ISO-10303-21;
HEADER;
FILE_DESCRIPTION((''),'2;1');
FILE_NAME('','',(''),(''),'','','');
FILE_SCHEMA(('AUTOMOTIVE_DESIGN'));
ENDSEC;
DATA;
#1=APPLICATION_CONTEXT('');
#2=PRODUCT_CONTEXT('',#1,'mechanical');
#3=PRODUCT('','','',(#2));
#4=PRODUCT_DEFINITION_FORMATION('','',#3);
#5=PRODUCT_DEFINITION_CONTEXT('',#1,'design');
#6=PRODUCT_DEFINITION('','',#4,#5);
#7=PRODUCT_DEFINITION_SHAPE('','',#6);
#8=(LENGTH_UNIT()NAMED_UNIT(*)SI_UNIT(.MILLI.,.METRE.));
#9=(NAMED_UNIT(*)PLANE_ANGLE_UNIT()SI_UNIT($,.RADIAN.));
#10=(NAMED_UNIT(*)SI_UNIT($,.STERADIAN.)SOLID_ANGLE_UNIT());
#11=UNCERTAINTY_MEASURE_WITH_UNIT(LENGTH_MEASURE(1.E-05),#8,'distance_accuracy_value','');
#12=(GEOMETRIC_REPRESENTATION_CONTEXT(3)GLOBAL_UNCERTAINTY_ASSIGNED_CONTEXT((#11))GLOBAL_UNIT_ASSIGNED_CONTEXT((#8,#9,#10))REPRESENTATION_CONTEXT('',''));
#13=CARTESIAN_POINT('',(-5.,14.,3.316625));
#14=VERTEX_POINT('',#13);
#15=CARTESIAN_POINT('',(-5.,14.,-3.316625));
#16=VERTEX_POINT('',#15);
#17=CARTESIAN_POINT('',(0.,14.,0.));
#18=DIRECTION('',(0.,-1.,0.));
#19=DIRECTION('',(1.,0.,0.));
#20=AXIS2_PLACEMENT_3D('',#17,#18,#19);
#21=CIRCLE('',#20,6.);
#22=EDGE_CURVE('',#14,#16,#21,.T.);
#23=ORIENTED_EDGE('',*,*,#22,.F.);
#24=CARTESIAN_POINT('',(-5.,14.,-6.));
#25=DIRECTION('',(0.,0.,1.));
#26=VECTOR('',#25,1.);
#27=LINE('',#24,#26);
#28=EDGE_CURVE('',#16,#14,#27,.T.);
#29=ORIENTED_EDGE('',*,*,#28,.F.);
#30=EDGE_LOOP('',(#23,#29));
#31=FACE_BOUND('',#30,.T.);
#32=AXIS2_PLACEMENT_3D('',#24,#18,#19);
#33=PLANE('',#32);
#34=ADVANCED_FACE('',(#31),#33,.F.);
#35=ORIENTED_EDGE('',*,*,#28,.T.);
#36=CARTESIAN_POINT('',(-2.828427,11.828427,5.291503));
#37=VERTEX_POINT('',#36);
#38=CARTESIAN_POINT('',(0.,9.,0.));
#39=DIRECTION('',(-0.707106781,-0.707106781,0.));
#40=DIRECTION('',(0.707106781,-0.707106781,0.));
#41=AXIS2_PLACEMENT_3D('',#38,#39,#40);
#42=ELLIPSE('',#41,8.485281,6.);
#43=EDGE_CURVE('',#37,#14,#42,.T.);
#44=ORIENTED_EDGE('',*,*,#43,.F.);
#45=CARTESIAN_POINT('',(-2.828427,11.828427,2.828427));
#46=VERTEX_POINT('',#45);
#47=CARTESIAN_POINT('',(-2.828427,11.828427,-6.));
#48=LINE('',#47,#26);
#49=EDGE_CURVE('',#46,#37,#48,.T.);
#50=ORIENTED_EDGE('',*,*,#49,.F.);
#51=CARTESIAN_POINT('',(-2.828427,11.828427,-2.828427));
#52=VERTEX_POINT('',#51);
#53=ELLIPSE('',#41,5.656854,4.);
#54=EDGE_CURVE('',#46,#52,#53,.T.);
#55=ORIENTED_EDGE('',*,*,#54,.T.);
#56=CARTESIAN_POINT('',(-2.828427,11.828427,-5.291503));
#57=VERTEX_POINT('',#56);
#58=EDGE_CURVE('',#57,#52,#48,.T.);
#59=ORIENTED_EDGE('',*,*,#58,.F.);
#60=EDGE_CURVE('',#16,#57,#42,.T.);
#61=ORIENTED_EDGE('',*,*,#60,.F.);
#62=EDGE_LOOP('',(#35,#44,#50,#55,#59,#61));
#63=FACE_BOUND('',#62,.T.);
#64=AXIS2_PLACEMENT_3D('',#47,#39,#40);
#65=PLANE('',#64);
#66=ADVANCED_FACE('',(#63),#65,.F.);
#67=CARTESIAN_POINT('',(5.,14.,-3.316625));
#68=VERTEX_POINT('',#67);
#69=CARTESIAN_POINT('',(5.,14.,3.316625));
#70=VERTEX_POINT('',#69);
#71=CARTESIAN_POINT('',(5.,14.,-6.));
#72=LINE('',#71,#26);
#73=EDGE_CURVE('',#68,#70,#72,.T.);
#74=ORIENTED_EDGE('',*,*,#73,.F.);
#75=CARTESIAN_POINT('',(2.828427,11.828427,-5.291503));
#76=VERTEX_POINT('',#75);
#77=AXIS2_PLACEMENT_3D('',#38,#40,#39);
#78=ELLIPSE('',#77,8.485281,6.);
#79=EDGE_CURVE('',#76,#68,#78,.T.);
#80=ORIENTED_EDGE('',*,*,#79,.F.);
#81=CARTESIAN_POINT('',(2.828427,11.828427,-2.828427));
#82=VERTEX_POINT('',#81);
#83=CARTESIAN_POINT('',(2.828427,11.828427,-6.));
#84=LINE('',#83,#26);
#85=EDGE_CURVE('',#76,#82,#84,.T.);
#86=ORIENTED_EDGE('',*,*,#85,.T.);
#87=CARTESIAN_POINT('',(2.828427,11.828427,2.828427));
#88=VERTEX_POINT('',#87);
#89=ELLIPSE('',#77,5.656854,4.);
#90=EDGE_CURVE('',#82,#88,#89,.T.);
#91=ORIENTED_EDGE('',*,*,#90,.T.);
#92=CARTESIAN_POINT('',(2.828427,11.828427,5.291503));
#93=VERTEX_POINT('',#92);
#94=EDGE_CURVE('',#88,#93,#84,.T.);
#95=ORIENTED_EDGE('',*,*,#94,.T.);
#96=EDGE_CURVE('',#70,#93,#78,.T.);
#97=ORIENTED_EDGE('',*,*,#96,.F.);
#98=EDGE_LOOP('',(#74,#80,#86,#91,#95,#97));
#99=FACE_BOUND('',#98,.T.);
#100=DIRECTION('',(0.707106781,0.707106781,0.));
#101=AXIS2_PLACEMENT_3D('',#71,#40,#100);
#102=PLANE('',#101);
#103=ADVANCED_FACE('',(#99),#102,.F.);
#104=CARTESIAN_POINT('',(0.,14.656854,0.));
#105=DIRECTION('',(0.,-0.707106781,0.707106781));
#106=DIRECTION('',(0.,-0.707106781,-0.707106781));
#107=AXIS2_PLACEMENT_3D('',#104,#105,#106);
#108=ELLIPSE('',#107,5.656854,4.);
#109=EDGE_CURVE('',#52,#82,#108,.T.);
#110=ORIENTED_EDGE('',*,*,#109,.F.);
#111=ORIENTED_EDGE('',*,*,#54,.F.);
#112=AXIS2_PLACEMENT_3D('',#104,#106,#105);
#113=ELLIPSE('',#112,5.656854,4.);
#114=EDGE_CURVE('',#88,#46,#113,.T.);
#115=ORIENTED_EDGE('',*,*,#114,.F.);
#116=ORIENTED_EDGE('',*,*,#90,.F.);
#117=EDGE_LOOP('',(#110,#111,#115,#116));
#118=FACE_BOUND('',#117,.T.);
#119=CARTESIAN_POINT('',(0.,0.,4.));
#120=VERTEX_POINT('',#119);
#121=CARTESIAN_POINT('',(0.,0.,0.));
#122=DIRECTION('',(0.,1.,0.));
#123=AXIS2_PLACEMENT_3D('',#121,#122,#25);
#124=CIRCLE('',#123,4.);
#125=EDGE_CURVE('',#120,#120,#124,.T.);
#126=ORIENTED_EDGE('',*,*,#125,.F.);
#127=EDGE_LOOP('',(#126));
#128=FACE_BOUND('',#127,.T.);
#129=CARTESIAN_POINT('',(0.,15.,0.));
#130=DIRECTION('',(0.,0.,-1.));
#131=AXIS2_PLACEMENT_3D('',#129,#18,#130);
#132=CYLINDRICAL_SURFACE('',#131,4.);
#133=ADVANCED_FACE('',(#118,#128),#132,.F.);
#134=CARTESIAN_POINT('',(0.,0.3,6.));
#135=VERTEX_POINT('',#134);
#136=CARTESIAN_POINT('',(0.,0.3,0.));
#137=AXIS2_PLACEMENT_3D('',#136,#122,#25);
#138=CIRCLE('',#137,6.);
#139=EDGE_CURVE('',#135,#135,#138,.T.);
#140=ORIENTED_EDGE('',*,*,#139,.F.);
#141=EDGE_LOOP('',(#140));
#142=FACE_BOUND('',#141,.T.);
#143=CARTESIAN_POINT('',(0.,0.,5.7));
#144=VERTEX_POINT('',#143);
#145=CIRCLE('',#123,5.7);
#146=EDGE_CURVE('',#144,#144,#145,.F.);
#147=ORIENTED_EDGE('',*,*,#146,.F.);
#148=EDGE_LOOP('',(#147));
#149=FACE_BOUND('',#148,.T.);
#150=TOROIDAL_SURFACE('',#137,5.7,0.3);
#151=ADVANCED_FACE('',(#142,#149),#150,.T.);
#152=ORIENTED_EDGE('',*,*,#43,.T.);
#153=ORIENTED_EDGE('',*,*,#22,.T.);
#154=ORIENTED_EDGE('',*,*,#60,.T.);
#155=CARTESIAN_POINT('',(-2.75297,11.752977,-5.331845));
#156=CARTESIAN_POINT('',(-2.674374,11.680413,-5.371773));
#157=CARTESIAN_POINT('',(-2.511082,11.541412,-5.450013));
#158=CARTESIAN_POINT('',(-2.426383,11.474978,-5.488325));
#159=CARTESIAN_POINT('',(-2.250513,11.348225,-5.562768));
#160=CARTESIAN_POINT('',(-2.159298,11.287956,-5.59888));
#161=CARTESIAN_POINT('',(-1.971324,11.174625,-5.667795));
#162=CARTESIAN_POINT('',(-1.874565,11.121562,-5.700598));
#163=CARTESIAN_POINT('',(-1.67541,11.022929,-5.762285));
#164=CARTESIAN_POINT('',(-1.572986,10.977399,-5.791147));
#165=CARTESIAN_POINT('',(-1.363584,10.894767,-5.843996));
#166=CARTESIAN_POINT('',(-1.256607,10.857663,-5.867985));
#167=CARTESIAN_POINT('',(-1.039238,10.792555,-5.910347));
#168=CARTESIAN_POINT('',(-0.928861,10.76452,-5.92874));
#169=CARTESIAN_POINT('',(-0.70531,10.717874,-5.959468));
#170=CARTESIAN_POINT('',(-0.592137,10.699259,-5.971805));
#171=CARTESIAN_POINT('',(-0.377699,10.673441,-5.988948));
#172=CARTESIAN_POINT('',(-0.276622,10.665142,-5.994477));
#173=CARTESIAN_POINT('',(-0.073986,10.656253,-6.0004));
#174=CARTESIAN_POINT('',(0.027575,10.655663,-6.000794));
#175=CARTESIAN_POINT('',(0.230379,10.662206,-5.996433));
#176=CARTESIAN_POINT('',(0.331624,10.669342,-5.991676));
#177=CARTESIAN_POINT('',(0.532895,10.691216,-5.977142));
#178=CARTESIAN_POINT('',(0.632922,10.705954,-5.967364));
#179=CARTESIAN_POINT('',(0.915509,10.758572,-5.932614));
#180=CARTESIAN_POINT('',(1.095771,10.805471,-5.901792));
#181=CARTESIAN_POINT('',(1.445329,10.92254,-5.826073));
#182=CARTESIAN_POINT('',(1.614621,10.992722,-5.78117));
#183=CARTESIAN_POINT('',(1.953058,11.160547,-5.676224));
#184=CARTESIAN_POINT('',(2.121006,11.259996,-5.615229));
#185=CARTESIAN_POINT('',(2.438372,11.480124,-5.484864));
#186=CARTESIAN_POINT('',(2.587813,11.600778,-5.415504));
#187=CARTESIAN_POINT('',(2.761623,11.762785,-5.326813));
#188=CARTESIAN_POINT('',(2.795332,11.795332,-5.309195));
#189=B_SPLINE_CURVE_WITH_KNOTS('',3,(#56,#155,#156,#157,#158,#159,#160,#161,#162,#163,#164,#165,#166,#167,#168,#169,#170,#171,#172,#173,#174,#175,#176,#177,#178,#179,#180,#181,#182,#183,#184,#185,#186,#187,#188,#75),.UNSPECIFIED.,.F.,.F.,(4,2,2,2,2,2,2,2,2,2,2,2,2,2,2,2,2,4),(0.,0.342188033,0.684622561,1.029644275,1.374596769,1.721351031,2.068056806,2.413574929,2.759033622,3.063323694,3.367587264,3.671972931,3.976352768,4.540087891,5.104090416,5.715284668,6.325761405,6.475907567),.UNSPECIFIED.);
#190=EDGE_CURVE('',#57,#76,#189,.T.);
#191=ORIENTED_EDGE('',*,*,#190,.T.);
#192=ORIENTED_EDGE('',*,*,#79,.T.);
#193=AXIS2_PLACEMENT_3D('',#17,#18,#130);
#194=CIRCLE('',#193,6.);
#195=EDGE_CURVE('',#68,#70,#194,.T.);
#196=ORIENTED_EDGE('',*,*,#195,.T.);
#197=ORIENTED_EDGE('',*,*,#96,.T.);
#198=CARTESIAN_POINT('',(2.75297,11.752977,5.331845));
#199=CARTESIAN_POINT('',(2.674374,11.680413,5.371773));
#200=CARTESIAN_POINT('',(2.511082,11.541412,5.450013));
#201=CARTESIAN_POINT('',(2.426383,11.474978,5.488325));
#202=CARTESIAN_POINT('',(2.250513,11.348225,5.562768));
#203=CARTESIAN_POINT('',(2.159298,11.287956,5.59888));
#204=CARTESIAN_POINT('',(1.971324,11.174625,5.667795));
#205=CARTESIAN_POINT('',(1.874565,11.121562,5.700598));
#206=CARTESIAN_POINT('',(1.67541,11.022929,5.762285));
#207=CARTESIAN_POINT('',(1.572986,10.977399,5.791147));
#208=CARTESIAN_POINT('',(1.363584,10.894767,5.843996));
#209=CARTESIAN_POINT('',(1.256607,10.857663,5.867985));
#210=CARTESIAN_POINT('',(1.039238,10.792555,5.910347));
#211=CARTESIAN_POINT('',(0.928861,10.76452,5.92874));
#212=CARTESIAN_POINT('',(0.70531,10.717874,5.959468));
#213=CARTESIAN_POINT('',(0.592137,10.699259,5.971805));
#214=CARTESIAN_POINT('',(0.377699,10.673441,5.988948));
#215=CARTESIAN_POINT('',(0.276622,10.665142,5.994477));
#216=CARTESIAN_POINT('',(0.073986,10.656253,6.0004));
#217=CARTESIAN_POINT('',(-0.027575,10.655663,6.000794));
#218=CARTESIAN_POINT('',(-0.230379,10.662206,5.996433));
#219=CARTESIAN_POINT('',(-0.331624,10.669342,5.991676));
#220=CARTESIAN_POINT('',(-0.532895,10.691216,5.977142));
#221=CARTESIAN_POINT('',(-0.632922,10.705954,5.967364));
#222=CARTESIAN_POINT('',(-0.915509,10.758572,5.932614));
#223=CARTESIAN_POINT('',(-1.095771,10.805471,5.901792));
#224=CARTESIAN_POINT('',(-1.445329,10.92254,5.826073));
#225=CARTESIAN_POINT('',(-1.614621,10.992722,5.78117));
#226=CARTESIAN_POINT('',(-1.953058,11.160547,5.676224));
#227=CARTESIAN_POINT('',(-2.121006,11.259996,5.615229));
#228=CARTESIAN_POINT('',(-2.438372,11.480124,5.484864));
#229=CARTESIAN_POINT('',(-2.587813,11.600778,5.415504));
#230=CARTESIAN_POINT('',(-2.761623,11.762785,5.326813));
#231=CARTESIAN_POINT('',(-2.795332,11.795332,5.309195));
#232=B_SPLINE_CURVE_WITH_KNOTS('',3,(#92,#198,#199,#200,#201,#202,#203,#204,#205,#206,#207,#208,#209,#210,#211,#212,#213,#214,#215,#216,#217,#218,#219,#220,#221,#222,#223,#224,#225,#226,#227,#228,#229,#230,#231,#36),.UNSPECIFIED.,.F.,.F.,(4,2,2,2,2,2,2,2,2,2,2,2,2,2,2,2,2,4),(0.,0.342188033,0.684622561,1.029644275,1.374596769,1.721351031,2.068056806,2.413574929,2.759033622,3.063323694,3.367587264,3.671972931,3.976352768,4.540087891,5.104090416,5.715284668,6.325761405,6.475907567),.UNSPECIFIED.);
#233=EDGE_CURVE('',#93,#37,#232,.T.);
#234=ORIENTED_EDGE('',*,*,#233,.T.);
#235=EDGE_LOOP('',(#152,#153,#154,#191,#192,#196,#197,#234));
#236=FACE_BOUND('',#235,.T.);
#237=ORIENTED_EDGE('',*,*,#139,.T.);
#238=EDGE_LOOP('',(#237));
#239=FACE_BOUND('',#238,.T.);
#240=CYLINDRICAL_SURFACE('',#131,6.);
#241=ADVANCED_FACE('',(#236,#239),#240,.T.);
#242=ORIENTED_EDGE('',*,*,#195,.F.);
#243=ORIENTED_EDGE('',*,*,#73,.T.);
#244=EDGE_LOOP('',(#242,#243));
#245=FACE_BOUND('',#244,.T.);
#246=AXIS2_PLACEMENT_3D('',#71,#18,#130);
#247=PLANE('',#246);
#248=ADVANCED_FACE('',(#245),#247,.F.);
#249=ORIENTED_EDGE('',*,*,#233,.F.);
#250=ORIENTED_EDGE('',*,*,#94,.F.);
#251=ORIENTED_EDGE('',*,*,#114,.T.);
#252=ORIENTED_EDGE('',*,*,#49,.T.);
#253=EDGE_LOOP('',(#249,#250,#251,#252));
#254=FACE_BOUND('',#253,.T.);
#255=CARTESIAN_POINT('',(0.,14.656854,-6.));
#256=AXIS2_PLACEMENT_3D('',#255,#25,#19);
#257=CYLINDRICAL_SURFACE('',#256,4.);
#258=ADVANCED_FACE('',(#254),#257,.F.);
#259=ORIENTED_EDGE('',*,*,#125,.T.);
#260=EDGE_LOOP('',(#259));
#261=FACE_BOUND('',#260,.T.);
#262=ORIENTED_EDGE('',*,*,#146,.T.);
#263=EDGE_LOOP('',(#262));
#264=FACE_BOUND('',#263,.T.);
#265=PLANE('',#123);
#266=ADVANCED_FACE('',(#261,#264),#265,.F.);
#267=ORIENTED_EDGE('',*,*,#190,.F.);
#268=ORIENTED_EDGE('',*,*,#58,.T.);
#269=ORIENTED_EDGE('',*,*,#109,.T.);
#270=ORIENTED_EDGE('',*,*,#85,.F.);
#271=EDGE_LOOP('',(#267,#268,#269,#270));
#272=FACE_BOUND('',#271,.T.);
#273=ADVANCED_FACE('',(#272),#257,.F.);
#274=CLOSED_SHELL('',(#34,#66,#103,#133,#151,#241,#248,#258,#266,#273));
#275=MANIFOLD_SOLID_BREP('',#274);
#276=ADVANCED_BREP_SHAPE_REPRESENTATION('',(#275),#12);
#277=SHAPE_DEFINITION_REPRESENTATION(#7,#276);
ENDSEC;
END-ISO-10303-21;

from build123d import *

# Parameters (mm, degrees)
SKETCH_1_R               = 6
SKETCH_1_R_2             = 4
EXTRUDE_1_DEPTH          = 15
CUT_EXTRUDE_1_DEPTH      = 18.23368794
CUT_EXTRUDE_1_DEPTH_BACK = 18.23368794
FILLET_1_R               = 0.3


with BuildPart() as part:
    # Эскиз1 → Бобышка-Вытянуть1 (new body)
    with BuildSketch(Plane(origin=(0, 0, 0), x_dir=(1, 0, 0), z_dir=(0, 1, 0))):
        with Locations(Location((0, 0, 0), (0, 0, 270))):
            Circle(SKETCH_1_R)
        with Locations(Location((0, 0, 0), (0, 0, 270))):
            Circle(SKETCH_1_R_2, mode=Mode.SUBTRACT)
    extrude(amount=EXTRUDE_1_DEPTH)

    # Эскиз2 → Вырез-Вытянуть1 (cut, two sides: drawn at the far end of the back side and taken through both)
    with BuildSketch(Plane.XY.offset(-CUT_EXTRUDE_1_DEPTH_BACK)):
        with BuildLine():
            Line((5, 14), (2.828427125, 11.828427125))
            ThreePointArc((2.828427125, 11.828427125), (0, 10.656854249), (-2.828427125, 11.828427125))
            Line((-2.828427125, 11.828427125), (-5, 14))
            Line((-5, 14), (-7.91663408, 14))
            Line((-7.91663408, 14), (-7.91663408, 18.742378879))
            Line((-7.91663408, 18.742378879), (8.078053183, 18.742378879))
            Line((8.078053183, 18.742378879), (8.078053183, 14))
            Line((8.078053183, 14), (5, 14))
        make_face()
    extrude(amount=CUT_EXTRUDE_1_DEPTH + CUT_EXTRUDE_1_DEPTH_BACK, mode=Mode.SUBTRACT)

    # Скругление1
    fillet_1_edges = [part.edges().sort_by_distance(p)[0] for p in [
        (0, 0, -6),
    ]]
    fillet(fillet_1_edges, radius=FILLET_1_R)


solid = part.part
